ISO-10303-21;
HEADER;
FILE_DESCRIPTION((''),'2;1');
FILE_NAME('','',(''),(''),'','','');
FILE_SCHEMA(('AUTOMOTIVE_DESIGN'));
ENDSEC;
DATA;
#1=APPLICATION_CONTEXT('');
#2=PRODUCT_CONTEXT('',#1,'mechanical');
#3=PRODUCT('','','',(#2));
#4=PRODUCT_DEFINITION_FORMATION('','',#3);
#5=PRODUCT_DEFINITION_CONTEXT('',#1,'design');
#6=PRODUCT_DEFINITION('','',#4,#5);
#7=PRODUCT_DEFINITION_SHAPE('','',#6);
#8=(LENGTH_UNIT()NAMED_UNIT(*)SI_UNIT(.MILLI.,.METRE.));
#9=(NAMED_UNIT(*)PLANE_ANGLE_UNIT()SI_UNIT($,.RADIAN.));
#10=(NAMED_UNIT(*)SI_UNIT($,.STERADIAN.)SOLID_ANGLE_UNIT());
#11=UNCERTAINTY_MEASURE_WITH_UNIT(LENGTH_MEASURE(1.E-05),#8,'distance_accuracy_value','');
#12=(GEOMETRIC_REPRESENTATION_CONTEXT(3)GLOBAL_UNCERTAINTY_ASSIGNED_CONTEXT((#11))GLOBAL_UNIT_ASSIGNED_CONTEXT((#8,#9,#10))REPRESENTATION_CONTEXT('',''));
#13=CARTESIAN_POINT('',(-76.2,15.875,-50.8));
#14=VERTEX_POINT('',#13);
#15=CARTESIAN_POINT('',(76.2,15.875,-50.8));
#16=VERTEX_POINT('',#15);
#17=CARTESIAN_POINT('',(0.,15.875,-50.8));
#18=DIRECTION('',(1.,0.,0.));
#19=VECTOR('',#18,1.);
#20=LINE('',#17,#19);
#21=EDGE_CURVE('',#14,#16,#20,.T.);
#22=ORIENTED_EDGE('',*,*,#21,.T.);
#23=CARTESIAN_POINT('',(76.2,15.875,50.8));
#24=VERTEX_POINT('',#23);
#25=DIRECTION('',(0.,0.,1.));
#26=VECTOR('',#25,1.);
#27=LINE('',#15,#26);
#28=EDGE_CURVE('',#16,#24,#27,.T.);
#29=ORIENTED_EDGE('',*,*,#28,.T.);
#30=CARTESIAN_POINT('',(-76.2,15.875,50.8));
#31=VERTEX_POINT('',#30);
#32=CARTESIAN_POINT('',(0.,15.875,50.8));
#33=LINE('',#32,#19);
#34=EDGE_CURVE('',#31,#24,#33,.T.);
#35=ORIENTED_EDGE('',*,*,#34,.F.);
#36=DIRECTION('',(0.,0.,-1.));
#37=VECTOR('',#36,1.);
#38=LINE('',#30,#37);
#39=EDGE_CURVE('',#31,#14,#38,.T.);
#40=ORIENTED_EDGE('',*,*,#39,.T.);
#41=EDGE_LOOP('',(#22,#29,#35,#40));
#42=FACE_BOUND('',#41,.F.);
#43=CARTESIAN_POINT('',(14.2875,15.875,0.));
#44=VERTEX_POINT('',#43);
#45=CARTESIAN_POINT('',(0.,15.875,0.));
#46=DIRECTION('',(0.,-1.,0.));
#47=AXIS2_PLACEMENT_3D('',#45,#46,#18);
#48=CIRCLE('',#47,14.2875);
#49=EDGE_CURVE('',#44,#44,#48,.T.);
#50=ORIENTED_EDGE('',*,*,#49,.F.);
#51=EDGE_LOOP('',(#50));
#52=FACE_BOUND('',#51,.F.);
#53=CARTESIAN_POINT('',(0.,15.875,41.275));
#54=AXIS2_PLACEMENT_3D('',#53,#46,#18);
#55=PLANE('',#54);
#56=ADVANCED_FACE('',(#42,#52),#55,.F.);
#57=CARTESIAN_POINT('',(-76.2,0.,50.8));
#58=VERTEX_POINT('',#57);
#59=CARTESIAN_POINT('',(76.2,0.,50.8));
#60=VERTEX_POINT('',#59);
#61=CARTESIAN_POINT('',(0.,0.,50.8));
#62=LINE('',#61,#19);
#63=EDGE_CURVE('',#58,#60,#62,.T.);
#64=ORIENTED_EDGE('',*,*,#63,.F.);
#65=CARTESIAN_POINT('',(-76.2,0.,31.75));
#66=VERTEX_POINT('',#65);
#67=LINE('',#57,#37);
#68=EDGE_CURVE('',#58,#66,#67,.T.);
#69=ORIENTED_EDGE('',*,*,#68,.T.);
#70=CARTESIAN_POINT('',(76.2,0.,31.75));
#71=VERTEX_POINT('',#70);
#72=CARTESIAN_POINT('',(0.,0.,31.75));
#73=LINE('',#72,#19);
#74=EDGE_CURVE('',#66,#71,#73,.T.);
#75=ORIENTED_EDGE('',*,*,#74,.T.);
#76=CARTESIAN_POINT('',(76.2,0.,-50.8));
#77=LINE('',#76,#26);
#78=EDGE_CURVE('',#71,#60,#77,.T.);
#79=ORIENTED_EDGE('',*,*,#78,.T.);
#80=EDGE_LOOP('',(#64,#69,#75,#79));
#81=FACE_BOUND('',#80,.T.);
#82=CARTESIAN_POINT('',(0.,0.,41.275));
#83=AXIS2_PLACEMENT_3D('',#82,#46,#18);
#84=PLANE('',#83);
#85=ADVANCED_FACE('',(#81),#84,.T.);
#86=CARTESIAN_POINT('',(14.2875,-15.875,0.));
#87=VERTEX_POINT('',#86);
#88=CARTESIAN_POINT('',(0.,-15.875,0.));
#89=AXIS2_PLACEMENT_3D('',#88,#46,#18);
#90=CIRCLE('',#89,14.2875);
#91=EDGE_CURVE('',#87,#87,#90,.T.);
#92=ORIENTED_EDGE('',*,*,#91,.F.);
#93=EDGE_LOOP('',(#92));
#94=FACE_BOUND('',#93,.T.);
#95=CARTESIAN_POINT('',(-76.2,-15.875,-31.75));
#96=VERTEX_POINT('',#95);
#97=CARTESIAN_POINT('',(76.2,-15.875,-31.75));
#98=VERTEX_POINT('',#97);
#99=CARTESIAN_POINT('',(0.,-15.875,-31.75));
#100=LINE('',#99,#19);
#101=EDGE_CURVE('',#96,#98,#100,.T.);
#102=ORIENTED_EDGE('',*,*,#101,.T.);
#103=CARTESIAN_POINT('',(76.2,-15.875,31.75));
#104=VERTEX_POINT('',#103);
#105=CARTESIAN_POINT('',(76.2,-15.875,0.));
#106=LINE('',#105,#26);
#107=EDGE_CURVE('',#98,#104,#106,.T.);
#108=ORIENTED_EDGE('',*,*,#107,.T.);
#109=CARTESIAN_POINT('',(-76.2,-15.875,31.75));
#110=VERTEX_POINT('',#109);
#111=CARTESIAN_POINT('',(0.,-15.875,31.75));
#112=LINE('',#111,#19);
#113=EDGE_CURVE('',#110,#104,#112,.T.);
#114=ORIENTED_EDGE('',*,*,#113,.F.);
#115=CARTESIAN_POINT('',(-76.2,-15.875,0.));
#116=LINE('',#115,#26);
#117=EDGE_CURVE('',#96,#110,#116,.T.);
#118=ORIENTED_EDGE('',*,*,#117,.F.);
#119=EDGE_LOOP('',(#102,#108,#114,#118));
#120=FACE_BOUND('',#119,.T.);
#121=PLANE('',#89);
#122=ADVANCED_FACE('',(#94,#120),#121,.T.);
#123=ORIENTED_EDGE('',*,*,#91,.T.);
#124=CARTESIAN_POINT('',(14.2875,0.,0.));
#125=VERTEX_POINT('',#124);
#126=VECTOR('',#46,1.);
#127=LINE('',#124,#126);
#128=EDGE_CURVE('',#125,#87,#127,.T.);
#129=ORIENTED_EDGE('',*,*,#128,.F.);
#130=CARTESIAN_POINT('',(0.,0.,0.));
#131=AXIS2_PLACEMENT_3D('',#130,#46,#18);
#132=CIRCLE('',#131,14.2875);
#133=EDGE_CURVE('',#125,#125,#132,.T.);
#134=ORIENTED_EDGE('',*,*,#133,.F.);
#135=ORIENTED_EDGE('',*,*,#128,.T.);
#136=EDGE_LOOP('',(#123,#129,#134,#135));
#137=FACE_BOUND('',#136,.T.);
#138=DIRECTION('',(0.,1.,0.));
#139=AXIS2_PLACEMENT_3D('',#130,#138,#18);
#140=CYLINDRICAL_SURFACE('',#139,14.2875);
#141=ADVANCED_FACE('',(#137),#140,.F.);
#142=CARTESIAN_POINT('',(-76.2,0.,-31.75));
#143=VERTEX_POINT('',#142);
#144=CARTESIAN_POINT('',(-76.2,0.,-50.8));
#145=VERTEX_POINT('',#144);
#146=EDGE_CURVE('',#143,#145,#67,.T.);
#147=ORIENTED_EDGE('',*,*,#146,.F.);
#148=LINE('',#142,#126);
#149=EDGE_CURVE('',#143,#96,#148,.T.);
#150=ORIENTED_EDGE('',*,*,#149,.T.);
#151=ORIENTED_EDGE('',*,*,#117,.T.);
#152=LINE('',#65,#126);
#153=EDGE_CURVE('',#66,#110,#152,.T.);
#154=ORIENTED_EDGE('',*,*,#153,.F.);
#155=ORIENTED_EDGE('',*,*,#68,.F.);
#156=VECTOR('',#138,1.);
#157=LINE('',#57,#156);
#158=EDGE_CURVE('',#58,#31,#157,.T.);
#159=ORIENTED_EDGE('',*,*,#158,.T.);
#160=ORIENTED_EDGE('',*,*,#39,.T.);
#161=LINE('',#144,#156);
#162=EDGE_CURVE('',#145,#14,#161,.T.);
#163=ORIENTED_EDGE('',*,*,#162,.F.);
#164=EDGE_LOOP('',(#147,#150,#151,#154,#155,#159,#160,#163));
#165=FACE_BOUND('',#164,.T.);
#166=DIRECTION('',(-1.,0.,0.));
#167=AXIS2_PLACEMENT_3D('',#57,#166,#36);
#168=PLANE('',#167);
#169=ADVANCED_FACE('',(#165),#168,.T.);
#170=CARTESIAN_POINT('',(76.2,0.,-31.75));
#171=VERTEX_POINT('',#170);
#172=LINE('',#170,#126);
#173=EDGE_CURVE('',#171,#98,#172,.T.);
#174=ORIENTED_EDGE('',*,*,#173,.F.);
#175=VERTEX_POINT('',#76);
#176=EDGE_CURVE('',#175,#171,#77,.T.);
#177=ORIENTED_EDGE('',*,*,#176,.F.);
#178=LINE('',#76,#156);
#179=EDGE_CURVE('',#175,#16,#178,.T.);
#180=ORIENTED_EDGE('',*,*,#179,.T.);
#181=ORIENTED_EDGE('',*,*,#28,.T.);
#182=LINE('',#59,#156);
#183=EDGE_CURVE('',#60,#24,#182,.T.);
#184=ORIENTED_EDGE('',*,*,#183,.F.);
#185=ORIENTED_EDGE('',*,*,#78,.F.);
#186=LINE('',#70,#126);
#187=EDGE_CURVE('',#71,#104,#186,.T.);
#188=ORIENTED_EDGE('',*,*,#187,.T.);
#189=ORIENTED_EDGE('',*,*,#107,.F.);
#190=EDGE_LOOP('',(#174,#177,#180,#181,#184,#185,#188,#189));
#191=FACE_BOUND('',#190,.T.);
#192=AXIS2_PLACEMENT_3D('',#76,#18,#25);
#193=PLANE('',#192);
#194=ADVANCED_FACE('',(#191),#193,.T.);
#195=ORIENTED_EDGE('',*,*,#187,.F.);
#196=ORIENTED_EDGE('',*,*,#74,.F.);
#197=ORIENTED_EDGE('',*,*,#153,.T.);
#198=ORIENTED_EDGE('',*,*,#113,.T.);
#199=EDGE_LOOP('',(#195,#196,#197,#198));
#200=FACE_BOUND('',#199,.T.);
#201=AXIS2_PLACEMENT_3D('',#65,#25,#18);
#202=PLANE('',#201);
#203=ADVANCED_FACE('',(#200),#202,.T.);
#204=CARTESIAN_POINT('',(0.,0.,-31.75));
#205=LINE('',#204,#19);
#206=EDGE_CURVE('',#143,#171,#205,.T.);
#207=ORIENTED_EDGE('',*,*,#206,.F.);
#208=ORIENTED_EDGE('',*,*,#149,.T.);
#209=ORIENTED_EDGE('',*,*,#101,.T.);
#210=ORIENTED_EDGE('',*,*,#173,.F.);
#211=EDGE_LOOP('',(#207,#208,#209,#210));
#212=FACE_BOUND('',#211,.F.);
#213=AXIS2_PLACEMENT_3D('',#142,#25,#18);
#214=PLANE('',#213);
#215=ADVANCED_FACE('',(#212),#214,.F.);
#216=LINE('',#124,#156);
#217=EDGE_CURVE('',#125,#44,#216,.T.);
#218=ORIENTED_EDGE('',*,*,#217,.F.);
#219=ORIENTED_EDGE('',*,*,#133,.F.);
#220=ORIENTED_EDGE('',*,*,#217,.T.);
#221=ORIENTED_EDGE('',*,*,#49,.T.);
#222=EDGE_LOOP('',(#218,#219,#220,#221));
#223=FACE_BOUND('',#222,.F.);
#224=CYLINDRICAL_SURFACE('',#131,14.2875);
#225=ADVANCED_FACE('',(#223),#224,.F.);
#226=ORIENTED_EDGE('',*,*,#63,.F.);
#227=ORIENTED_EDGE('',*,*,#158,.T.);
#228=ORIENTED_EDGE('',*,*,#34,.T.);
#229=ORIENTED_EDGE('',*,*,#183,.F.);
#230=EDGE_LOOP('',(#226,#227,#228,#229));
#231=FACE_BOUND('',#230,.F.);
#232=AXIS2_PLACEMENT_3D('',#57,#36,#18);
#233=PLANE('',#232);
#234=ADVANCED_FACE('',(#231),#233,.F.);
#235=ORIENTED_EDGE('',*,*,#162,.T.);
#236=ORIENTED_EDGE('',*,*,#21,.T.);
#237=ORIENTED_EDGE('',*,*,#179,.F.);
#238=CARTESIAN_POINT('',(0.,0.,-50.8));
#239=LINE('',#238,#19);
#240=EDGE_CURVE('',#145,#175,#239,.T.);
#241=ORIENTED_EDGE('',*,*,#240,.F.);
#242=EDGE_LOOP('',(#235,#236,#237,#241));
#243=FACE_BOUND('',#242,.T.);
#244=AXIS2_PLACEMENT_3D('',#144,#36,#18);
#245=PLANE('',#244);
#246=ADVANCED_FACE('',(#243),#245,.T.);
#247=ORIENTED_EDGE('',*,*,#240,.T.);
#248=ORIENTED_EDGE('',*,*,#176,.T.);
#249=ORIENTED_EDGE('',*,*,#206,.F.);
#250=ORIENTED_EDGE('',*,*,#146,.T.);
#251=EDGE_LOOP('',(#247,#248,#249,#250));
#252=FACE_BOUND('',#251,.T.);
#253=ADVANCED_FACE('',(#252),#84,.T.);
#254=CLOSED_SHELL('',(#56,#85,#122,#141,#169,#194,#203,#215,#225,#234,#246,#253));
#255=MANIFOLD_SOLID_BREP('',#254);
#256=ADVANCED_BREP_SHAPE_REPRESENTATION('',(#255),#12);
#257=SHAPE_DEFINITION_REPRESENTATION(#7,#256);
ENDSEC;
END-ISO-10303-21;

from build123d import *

# Parameters (mm, degrees)
F0_W     = 152.4
F0_H     = 63.5
F0_R     = 14.2875
F1_DEPTH = 15.875
F0_H_2   = 19.05
F2_DEPTH = 15.875


with BuildPart() as f1:
    # F0 (on Front) → F1 (new body)
    with BuildSketch(Plane.XZ):
        Rectangle(F0_W, F0_H)
        Circle(F0_R, mode=Mode.SUBTRACT)
    extrude(amount=F1_DEPTH)

    # F0 (on Front) → F2 (join)
    with BuildSketch(Plane.XZ):
        with Locations((0, 41.275)):
            Rectangle(F0_W, F0_H_2)
        Rectangle(F0_W, F0_H)
        Circle(F0_R, mode=Mode.SUBTRACT)
        with Locations((0, -41.275)):
            Rectangle(F0_W, F0_H_2)
    extrude(amount=-F2_DEPTH)


solid = f1.part
